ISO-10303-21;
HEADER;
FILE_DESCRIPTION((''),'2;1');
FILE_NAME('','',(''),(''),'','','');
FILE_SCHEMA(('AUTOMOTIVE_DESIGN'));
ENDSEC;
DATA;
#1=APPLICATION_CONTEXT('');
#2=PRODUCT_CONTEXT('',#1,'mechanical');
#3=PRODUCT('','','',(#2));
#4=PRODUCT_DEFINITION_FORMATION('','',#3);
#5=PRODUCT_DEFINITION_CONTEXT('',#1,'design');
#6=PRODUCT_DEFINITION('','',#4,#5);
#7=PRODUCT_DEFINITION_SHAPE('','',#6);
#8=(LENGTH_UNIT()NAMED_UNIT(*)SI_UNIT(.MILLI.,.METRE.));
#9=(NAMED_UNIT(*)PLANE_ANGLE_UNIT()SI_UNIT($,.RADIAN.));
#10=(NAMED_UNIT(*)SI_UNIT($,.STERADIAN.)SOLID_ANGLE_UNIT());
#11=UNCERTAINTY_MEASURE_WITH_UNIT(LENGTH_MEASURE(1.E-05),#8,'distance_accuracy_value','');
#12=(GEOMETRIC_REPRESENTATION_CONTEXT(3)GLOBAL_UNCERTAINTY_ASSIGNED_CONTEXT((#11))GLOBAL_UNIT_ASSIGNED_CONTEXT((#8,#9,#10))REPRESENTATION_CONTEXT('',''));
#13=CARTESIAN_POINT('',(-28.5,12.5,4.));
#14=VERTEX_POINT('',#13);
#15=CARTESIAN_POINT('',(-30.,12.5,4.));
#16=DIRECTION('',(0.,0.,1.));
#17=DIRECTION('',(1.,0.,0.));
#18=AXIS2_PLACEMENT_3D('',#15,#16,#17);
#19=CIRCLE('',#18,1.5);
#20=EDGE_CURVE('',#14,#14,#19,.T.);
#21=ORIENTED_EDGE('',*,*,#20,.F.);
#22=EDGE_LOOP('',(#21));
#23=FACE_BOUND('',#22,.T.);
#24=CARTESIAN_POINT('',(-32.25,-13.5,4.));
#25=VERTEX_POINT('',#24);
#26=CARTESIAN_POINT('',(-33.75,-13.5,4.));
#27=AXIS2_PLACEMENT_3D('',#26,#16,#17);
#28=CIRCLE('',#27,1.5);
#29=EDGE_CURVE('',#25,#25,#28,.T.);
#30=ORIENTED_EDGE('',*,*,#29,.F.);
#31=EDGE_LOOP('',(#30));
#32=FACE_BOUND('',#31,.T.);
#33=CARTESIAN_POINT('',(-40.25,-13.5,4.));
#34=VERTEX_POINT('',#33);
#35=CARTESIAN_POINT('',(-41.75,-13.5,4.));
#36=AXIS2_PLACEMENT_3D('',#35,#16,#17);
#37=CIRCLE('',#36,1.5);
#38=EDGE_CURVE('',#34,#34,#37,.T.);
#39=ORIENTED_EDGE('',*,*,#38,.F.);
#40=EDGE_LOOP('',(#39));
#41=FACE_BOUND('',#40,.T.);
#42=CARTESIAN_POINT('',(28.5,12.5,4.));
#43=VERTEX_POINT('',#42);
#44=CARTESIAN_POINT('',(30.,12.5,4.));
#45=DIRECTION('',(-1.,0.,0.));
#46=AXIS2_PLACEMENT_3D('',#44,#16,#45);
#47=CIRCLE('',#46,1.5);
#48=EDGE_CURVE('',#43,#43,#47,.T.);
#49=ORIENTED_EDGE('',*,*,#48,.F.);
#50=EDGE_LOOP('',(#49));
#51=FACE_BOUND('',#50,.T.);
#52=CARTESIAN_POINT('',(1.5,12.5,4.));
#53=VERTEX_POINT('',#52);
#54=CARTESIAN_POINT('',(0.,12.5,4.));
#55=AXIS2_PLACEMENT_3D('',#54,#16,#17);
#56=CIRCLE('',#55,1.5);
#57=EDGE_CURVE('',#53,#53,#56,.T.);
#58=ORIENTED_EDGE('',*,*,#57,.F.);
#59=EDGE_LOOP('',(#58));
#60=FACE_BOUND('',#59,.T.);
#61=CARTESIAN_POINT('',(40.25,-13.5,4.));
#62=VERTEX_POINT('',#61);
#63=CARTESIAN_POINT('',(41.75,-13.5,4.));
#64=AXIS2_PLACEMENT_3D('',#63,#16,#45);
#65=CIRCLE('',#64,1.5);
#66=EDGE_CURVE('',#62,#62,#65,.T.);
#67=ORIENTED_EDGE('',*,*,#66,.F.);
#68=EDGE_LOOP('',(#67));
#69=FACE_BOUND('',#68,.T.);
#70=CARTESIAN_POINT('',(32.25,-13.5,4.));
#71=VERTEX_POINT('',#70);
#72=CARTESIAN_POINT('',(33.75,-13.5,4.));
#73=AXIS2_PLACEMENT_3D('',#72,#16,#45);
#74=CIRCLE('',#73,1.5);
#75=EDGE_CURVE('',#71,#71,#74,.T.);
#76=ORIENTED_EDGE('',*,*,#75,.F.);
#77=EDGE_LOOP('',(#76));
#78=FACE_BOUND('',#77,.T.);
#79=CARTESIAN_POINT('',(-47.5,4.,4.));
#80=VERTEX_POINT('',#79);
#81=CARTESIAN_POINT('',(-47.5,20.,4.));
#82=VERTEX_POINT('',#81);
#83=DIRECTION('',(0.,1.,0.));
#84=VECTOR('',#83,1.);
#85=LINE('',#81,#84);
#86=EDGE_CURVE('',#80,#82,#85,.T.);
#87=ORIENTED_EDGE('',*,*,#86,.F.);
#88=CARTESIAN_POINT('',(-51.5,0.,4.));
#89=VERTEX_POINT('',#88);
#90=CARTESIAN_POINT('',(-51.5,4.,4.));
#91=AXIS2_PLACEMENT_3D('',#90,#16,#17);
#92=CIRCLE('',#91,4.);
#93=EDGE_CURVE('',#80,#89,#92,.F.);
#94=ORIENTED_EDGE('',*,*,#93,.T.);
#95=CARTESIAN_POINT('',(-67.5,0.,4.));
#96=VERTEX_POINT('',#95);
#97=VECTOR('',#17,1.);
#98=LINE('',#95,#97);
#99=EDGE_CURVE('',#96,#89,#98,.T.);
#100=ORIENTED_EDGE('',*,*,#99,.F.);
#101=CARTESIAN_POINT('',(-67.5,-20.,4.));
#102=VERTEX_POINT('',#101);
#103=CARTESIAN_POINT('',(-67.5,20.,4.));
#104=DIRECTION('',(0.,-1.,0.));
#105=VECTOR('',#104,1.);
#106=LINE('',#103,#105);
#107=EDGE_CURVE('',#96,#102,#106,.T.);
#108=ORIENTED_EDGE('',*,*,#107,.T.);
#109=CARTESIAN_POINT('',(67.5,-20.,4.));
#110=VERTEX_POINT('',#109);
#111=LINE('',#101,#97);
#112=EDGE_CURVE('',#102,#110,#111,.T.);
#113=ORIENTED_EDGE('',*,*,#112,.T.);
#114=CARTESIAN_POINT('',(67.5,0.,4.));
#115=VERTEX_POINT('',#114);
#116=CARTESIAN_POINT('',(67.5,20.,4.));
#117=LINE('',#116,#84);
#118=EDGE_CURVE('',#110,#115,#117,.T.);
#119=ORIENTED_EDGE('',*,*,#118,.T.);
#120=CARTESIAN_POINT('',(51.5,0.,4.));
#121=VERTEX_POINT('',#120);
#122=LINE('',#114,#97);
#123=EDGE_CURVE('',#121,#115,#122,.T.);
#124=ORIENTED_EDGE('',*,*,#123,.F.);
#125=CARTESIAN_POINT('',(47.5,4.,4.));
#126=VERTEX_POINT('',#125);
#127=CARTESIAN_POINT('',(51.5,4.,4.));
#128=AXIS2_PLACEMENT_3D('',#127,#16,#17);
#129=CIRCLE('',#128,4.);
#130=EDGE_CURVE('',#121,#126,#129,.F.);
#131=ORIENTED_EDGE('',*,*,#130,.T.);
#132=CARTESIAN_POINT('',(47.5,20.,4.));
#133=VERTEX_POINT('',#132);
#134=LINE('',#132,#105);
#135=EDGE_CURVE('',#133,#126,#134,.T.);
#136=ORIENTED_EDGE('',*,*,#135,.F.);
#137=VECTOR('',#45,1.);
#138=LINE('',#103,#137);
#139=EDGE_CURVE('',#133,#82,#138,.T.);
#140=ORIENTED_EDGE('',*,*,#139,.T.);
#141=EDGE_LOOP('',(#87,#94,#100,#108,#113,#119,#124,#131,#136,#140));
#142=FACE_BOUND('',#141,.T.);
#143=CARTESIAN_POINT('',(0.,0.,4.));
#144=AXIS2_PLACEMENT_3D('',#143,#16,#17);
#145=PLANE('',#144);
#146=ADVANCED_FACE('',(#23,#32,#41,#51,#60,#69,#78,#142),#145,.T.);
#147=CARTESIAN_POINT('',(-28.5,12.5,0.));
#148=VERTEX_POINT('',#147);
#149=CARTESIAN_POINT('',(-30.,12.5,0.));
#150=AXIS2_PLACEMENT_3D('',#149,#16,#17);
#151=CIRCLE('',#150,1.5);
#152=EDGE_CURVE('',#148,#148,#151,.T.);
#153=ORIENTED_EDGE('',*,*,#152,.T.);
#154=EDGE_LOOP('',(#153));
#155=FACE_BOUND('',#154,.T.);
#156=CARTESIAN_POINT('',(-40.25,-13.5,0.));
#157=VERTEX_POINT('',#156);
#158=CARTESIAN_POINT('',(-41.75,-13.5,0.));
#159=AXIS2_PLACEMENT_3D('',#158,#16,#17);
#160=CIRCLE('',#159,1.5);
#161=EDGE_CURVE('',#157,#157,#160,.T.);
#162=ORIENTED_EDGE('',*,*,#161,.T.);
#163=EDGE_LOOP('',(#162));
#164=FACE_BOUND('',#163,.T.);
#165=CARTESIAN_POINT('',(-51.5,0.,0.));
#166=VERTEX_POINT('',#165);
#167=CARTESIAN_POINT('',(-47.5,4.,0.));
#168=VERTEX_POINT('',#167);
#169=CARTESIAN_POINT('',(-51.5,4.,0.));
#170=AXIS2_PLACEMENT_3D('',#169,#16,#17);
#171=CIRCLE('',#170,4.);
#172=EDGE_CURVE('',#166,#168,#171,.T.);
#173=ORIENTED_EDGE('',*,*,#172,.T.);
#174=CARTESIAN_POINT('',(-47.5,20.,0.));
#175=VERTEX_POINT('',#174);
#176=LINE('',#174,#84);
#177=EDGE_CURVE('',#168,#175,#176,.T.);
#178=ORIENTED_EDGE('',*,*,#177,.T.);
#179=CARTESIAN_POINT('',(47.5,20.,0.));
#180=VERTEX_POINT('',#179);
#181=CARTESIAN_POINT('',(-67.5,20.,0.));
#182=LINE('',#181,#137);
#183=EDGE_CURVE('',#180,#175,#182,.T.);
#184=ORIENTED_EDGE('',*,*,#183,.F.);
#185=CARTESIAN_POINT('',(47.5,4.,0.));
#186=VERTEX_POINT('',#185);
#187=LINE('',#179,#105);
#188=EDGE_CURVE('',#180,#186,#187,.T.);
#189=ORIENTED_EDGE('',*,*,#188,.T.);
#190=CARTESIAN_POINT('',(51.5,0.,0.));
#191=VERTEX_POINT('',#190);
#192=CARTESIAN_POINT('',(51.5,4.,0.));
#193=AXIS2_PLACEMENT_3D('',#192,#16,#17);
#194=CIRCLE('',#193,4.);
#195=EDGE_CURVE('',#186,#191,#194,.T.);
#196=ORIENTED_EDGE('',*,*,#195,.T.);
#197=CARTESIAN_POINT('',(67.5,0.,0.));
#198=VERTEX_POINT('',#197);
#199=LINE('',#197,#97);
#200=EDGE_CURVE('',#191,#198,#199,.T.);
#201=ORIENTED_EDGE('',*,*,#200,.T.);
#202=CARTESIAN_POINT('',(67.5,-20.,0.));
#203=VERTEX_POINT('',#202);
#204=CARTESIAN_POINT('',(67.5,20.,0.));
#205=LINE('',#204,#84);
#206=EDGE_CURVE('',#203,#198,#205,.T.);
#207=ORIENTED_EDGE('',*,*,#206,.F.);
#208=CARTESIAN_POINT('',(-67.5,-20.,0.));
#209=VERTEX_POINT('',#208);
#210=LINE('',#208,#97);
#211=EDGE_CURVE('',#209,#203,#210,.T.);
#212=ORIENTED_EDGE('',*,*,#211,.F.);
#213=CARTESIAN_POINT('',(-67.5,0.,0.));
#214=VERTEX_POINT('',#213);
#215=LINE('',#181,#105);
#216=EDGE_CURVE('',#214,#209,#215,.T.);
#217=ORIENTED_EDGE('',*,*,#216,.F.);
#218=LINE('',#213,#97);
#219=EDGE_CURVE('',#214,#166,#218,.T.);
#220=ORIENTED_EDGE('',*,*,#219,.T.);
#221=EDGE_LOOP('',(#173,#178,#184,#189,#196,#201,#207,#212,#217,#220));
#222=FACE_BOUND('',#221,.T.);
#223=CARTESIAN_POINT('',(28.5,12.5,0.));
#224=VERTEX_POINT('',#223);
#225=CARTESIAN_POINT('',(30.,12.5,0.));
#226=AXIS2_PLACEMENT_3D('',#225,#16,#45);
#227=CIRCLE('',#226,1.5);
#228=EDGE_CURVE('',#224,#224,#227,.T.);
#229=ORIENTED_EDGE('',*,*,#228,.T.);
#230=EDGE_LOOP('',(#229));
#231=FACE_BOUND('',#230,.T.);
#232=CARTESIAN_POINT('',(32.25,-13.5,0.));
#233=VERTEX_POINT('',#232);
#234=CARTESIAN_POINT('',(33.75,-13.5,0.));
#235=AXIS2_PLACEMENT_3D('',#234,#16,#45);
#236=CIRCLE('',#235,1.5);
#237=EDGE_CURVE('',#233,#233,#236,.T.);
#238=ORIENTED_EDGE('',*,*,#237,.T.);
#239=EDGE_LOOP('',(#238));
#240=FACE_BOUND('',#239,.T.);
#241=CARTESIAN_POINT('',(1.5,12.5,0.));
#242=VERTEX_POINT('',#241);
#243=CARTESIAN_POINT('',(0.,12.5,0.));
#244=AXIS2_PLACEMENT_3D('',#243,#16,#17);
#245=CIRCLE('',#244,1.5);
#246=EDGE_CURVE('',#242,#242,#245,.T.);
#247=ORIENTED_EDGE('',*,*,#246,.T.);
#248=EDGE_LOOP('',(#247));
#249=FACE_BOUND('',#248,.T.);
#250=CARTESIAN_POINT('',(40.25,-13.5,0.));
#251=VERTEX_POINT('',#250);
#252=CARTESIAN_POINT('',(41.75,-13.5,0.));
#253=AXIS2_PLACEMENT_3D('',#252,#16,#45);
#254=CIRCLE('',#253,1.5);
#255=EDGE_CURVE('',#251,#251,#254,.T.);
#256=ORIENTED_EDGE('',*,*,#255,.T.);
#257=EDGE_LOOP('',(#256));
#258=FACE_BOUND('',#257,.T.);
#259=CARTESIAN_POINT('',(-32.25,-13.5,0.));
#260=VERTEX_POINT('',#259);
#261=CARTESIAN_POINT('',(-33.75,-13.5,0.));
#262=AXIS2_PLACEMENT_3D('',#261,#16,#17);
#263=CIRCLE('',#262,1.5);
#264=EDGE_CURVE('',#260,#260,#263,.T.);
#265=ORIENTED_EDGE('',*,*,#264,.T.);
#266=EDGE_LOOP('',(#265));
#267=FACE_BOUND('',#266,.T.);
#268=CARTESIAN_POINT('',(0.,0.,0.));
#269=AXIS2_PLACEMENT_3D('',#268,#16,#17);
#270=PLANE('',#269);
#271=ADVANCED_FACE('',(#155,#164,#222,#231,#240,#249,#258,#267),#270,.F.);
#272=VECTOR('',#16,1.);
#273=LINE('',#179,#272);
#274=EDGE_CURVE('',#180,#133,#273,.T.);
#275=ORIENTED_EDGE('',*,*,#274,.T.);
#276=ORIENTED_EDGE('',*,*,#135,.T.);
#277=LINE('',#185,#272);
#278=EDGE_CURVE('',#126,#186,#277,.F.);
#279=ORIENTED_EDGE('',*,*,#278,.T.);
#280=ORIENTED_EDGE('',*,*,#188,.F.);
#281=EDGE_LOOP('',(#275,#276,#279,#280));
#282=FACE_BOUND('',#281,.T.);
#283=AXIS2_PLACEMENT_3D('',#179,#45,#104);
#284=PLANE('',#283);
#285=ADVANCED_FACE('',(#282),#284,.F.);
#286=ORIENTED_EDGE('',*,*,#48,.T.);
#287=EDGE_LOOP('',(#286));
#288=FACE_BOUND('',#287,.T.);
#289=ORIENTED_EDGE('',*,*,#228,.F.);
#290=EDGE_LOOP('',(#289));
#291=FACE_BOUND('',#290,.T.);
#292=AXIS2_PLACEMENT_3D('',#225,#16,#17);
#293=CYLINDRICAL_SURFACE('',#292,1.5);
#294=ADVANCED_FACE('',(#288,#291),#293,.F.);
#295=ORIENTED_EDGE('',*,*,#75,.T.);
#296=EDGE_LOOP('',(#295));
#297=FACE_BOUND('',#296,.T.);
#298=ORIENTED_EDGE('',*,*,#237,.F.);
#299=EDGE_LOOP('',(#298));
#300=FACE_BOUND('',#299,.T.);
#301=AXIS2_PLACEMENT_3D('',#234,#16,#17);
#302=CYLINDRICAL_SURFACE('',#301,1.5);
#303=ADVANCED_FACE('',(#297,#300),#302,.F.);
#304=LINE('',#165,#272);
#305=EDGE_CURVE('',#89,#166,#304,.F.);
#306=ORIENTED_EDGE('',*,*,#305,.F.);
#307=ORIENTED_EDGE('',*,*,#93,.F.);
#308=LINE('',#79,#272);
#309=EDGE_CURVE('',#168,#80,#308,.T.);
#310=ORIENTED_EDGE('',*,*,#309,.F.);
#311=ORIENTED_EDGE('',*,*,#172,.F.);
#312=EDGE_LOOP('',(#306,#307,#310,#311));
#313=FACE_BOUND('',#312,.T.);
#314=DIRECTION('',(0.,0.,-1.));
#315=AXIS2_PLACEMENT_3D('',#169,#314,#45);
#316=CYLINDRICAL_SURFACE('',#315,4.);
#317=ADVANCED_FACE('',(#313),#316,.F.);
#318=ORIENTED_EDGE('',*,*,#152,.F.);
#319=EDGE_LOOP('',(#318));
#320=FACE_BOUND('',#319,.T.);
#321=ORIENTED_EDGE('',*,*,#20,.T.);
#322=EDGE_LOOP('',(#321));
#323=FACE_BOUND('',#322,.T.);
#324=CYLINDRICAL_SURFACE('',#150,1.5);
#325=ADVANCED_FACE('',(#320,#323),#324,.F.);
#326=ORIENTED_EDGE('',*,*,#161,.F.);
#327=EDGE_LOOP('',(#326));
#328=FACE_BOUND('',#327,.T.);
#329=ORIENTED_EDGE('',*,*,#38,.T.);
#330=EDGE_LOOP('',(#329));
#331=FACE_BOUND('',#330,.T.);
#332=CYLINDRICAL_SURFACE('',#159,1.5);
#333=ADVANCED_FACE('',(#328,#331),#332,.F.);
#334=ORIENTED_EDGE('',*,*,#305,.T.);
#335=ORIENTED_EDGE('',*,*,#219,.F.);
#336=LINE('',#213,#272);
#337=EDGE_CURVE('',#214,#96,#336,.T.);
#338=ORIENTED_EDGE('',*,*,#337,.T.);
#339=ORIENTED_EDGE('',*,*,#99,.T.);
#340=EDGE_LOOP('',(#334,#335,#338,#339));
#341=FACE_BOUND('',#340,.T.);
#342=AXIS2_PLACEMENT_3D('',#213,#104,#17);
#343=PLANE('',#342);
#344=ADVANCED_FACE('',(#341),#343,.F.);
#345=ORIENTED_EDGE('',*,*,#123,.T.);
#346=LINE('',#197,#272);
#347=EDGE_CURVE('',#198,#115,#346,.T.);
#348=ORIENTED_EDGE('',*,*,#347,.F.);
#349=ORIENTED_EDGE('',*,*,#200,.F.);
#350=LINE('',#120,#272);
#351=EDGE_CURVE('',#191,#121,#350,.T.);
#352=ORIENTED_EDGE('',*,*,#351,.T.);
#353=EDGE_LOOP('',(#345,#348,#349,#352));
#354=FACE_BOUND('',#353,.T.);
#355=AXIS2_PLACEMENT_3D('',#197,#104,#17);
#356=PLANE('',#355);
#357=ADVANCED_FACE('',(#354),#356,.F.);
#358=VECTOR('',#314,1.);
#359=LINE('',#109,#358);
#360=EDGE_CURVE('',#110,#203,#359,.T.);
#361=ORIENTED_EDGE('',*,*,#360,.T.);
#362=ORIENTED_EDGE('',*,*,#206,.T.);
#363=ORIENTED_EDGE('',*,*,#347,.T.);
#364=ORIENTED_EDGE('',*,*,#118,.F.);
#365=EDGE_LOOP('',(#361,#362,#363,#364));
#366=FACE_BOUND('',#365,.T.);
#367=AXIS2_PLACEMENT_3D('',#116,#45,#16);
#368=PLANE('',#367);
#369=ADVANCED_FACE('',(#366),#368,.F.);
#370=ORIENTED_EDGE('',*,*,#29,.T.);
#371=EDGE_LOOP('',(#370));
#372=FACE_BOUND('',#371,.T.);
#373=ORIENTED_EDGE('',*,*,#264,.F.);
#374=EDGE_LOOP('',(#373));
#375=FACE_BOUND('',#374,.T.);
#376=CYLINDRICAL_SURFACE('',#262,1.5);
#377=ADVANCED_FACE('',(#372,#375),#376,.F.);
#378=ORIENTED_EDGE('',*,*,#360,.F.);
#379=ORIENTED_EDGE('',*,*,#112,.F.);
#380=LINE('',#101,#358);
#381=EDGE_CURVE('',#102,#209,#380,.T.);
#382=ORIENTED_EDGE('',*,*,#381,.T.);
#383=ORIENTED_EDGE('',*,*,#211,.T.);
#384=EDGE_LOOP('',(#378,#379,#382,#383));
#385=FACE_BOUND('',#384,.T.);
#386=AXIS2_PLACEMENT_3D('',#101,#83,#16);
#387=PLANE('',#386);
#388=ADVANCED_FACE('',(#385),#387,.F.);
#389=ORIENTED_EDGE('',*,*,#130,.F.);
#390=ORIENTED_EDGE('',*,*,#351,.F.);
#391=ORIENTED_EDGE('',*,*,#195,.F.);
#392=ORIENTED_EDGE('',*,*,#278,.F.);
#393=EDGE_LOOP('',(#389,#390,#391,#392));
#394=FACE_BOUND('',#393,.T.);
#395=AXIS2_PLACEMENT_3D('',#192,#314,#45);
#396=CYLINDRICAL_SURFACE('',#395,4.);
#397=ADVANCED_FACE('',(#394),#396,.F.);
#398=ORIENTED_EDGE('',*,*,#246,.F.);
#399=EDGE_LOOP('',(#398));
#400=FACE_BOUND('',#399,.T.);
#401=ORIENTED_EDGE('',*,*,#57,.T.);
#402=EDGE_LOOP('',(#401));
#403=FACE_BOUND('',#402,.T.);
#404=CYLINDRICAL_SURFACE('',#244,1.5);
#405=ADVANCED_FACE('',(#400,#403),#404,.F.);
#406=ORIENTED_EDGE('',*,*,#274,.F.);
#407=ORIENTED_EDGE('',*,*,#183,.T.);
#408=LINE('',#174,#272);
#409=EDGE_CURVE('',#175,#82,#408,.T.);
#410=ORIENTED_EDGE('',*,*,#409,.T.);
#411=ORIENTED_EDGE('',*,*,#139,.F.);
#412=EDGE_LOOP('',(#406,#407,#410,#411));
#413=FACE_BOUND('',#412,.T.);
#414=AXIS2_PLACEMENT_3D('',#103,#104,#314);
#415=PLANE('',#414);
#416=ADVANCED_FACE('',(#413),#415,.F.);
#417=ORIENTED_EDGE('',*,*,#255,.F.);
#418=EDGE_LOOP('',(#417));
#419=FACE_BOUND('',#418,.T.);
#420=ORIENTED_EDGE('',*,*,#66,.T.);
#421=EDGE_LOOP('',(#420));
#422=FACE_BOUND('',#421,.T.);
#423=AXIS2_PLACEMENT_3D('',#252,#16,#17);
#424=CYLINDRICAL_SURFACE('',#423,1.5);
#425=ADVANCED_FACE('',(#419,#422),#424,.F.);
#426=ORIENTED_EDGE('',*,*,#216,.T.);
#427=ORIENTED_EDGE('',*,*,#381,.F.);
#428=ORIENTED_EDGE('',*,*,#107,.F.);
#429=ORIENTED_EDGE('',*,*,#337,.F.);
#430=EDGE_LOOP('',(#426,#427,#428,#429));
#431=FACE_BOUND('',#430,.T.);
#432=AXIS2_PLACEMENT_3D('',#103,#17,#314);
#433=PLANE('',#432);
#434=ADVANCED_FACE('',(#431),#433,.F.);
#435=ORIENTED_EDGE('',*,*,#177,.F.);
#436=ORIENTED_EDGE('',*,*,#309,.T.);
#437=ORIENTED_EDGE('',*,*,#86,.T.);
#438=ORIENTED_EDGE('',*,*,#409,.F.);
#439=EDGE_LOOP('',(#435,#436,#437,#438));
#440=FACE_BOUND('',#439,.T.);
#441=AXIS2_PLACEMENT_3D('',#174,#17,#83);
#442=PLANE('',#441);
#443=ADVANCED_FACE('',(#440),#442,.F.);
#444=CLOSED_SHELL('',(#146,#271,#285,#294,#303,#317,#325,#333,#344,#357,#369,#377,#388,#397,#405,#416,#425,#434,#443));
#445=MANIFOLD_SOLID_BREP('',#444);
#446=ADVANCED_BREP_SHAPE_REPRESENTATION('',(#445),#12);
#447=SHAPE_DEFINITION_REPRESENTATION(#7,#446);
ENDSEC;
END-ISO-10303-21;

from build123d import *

# Parameters (mm, degrees)
SKETCH_1_W          = 135
SKETCH_1_H          = 40
EXTRUDE_1_DEPTH     = 4
SKETCH_2_W          = 20
SKETCH_2_H          = 20
CUT_EXTRUDE_1_DEPTH = 71.514182971
FILLET_1_R          = 4
SKETCH_3_R          = 1.5
CUT_EXTRUDE_2_DEPTH = 71.514182971
SKETCH_4_R          = 1.5
CUT_EXTRUDE_3_DEPTH = 71.514182971


with BuildPart() as part:
    # 草图1 → 凸台-拉伸1 (new body)
    with BuildSketch(Plane.XY):
        Rectangle(SKETCH_1_W, SKETCH_1_H)
    extrude(amount=EXTRUDE_1_DEPTH)

    # 草图2 → 切除-拉伸1 (cut, through all)
    with BuildSketch(Plane.XY.offset(4)):
        with Locations((-57.5, 10)):
            Rectangle(SKETCH_2_W, SKETCH_2_H)
        with Locations((57.5, 10)):
            Rectangle(SKETCH_2_W, SKETCH_2_H)
    extrude(amount=-CUT_EXTRUDE_1_DEPTH, mode=Mode.SUBTRACT)

    # 圆角1
    fillet_1_edges = [part.edges().sort_by_distance(p)[0] for p in [
        (-47.5, 0, 2),
        (47.5, 0, 2),
    ]]
    fillet(fillet_1_edges, radius=FILLET_1_R)

    # 草图3 → 切除-拉伸2 (cut, through all)
    with BuildSketch(Plane.XY.offset(4)):
        with Locations((0, 12.5)):
            Circle(SKETCH_3_R)
        with Locations((-30, 12.5)):
            Circle(SKETCH_3_R)
        with Locations(Location((30, 12.5, 0), (0, 0, 180))):
            Circle(SKETCH_3_R)
    extrude(amount=-CUT_EXTRUDE_2_DEPTH, mode=Mode.SUBTRACT)

    # 草图4 → 切除-拉伸3 (cut, through all)
    with BuildSketch(Plane.XY.offset(4)):
        with Locations((-41.75, -13.5)):
            Circle(SKETCH_4_R)
        with Locations((-33.75, -13.5)):
            Circle(SKETCH_4_R)
        with Locations(Location((33.75, -13.5, 0), (0, 0, 180))):
            Circle(SKETCH_4_R)
        with Locations(Location((41.75, -13.5, 0), (0, 0, 180))):
            Circle(SKETCH_4_R)
    extrude(amount=-CUT_EXTRUDE_3_DEPTH, mode=Mode.SUBTRACT)


solid = part.part
